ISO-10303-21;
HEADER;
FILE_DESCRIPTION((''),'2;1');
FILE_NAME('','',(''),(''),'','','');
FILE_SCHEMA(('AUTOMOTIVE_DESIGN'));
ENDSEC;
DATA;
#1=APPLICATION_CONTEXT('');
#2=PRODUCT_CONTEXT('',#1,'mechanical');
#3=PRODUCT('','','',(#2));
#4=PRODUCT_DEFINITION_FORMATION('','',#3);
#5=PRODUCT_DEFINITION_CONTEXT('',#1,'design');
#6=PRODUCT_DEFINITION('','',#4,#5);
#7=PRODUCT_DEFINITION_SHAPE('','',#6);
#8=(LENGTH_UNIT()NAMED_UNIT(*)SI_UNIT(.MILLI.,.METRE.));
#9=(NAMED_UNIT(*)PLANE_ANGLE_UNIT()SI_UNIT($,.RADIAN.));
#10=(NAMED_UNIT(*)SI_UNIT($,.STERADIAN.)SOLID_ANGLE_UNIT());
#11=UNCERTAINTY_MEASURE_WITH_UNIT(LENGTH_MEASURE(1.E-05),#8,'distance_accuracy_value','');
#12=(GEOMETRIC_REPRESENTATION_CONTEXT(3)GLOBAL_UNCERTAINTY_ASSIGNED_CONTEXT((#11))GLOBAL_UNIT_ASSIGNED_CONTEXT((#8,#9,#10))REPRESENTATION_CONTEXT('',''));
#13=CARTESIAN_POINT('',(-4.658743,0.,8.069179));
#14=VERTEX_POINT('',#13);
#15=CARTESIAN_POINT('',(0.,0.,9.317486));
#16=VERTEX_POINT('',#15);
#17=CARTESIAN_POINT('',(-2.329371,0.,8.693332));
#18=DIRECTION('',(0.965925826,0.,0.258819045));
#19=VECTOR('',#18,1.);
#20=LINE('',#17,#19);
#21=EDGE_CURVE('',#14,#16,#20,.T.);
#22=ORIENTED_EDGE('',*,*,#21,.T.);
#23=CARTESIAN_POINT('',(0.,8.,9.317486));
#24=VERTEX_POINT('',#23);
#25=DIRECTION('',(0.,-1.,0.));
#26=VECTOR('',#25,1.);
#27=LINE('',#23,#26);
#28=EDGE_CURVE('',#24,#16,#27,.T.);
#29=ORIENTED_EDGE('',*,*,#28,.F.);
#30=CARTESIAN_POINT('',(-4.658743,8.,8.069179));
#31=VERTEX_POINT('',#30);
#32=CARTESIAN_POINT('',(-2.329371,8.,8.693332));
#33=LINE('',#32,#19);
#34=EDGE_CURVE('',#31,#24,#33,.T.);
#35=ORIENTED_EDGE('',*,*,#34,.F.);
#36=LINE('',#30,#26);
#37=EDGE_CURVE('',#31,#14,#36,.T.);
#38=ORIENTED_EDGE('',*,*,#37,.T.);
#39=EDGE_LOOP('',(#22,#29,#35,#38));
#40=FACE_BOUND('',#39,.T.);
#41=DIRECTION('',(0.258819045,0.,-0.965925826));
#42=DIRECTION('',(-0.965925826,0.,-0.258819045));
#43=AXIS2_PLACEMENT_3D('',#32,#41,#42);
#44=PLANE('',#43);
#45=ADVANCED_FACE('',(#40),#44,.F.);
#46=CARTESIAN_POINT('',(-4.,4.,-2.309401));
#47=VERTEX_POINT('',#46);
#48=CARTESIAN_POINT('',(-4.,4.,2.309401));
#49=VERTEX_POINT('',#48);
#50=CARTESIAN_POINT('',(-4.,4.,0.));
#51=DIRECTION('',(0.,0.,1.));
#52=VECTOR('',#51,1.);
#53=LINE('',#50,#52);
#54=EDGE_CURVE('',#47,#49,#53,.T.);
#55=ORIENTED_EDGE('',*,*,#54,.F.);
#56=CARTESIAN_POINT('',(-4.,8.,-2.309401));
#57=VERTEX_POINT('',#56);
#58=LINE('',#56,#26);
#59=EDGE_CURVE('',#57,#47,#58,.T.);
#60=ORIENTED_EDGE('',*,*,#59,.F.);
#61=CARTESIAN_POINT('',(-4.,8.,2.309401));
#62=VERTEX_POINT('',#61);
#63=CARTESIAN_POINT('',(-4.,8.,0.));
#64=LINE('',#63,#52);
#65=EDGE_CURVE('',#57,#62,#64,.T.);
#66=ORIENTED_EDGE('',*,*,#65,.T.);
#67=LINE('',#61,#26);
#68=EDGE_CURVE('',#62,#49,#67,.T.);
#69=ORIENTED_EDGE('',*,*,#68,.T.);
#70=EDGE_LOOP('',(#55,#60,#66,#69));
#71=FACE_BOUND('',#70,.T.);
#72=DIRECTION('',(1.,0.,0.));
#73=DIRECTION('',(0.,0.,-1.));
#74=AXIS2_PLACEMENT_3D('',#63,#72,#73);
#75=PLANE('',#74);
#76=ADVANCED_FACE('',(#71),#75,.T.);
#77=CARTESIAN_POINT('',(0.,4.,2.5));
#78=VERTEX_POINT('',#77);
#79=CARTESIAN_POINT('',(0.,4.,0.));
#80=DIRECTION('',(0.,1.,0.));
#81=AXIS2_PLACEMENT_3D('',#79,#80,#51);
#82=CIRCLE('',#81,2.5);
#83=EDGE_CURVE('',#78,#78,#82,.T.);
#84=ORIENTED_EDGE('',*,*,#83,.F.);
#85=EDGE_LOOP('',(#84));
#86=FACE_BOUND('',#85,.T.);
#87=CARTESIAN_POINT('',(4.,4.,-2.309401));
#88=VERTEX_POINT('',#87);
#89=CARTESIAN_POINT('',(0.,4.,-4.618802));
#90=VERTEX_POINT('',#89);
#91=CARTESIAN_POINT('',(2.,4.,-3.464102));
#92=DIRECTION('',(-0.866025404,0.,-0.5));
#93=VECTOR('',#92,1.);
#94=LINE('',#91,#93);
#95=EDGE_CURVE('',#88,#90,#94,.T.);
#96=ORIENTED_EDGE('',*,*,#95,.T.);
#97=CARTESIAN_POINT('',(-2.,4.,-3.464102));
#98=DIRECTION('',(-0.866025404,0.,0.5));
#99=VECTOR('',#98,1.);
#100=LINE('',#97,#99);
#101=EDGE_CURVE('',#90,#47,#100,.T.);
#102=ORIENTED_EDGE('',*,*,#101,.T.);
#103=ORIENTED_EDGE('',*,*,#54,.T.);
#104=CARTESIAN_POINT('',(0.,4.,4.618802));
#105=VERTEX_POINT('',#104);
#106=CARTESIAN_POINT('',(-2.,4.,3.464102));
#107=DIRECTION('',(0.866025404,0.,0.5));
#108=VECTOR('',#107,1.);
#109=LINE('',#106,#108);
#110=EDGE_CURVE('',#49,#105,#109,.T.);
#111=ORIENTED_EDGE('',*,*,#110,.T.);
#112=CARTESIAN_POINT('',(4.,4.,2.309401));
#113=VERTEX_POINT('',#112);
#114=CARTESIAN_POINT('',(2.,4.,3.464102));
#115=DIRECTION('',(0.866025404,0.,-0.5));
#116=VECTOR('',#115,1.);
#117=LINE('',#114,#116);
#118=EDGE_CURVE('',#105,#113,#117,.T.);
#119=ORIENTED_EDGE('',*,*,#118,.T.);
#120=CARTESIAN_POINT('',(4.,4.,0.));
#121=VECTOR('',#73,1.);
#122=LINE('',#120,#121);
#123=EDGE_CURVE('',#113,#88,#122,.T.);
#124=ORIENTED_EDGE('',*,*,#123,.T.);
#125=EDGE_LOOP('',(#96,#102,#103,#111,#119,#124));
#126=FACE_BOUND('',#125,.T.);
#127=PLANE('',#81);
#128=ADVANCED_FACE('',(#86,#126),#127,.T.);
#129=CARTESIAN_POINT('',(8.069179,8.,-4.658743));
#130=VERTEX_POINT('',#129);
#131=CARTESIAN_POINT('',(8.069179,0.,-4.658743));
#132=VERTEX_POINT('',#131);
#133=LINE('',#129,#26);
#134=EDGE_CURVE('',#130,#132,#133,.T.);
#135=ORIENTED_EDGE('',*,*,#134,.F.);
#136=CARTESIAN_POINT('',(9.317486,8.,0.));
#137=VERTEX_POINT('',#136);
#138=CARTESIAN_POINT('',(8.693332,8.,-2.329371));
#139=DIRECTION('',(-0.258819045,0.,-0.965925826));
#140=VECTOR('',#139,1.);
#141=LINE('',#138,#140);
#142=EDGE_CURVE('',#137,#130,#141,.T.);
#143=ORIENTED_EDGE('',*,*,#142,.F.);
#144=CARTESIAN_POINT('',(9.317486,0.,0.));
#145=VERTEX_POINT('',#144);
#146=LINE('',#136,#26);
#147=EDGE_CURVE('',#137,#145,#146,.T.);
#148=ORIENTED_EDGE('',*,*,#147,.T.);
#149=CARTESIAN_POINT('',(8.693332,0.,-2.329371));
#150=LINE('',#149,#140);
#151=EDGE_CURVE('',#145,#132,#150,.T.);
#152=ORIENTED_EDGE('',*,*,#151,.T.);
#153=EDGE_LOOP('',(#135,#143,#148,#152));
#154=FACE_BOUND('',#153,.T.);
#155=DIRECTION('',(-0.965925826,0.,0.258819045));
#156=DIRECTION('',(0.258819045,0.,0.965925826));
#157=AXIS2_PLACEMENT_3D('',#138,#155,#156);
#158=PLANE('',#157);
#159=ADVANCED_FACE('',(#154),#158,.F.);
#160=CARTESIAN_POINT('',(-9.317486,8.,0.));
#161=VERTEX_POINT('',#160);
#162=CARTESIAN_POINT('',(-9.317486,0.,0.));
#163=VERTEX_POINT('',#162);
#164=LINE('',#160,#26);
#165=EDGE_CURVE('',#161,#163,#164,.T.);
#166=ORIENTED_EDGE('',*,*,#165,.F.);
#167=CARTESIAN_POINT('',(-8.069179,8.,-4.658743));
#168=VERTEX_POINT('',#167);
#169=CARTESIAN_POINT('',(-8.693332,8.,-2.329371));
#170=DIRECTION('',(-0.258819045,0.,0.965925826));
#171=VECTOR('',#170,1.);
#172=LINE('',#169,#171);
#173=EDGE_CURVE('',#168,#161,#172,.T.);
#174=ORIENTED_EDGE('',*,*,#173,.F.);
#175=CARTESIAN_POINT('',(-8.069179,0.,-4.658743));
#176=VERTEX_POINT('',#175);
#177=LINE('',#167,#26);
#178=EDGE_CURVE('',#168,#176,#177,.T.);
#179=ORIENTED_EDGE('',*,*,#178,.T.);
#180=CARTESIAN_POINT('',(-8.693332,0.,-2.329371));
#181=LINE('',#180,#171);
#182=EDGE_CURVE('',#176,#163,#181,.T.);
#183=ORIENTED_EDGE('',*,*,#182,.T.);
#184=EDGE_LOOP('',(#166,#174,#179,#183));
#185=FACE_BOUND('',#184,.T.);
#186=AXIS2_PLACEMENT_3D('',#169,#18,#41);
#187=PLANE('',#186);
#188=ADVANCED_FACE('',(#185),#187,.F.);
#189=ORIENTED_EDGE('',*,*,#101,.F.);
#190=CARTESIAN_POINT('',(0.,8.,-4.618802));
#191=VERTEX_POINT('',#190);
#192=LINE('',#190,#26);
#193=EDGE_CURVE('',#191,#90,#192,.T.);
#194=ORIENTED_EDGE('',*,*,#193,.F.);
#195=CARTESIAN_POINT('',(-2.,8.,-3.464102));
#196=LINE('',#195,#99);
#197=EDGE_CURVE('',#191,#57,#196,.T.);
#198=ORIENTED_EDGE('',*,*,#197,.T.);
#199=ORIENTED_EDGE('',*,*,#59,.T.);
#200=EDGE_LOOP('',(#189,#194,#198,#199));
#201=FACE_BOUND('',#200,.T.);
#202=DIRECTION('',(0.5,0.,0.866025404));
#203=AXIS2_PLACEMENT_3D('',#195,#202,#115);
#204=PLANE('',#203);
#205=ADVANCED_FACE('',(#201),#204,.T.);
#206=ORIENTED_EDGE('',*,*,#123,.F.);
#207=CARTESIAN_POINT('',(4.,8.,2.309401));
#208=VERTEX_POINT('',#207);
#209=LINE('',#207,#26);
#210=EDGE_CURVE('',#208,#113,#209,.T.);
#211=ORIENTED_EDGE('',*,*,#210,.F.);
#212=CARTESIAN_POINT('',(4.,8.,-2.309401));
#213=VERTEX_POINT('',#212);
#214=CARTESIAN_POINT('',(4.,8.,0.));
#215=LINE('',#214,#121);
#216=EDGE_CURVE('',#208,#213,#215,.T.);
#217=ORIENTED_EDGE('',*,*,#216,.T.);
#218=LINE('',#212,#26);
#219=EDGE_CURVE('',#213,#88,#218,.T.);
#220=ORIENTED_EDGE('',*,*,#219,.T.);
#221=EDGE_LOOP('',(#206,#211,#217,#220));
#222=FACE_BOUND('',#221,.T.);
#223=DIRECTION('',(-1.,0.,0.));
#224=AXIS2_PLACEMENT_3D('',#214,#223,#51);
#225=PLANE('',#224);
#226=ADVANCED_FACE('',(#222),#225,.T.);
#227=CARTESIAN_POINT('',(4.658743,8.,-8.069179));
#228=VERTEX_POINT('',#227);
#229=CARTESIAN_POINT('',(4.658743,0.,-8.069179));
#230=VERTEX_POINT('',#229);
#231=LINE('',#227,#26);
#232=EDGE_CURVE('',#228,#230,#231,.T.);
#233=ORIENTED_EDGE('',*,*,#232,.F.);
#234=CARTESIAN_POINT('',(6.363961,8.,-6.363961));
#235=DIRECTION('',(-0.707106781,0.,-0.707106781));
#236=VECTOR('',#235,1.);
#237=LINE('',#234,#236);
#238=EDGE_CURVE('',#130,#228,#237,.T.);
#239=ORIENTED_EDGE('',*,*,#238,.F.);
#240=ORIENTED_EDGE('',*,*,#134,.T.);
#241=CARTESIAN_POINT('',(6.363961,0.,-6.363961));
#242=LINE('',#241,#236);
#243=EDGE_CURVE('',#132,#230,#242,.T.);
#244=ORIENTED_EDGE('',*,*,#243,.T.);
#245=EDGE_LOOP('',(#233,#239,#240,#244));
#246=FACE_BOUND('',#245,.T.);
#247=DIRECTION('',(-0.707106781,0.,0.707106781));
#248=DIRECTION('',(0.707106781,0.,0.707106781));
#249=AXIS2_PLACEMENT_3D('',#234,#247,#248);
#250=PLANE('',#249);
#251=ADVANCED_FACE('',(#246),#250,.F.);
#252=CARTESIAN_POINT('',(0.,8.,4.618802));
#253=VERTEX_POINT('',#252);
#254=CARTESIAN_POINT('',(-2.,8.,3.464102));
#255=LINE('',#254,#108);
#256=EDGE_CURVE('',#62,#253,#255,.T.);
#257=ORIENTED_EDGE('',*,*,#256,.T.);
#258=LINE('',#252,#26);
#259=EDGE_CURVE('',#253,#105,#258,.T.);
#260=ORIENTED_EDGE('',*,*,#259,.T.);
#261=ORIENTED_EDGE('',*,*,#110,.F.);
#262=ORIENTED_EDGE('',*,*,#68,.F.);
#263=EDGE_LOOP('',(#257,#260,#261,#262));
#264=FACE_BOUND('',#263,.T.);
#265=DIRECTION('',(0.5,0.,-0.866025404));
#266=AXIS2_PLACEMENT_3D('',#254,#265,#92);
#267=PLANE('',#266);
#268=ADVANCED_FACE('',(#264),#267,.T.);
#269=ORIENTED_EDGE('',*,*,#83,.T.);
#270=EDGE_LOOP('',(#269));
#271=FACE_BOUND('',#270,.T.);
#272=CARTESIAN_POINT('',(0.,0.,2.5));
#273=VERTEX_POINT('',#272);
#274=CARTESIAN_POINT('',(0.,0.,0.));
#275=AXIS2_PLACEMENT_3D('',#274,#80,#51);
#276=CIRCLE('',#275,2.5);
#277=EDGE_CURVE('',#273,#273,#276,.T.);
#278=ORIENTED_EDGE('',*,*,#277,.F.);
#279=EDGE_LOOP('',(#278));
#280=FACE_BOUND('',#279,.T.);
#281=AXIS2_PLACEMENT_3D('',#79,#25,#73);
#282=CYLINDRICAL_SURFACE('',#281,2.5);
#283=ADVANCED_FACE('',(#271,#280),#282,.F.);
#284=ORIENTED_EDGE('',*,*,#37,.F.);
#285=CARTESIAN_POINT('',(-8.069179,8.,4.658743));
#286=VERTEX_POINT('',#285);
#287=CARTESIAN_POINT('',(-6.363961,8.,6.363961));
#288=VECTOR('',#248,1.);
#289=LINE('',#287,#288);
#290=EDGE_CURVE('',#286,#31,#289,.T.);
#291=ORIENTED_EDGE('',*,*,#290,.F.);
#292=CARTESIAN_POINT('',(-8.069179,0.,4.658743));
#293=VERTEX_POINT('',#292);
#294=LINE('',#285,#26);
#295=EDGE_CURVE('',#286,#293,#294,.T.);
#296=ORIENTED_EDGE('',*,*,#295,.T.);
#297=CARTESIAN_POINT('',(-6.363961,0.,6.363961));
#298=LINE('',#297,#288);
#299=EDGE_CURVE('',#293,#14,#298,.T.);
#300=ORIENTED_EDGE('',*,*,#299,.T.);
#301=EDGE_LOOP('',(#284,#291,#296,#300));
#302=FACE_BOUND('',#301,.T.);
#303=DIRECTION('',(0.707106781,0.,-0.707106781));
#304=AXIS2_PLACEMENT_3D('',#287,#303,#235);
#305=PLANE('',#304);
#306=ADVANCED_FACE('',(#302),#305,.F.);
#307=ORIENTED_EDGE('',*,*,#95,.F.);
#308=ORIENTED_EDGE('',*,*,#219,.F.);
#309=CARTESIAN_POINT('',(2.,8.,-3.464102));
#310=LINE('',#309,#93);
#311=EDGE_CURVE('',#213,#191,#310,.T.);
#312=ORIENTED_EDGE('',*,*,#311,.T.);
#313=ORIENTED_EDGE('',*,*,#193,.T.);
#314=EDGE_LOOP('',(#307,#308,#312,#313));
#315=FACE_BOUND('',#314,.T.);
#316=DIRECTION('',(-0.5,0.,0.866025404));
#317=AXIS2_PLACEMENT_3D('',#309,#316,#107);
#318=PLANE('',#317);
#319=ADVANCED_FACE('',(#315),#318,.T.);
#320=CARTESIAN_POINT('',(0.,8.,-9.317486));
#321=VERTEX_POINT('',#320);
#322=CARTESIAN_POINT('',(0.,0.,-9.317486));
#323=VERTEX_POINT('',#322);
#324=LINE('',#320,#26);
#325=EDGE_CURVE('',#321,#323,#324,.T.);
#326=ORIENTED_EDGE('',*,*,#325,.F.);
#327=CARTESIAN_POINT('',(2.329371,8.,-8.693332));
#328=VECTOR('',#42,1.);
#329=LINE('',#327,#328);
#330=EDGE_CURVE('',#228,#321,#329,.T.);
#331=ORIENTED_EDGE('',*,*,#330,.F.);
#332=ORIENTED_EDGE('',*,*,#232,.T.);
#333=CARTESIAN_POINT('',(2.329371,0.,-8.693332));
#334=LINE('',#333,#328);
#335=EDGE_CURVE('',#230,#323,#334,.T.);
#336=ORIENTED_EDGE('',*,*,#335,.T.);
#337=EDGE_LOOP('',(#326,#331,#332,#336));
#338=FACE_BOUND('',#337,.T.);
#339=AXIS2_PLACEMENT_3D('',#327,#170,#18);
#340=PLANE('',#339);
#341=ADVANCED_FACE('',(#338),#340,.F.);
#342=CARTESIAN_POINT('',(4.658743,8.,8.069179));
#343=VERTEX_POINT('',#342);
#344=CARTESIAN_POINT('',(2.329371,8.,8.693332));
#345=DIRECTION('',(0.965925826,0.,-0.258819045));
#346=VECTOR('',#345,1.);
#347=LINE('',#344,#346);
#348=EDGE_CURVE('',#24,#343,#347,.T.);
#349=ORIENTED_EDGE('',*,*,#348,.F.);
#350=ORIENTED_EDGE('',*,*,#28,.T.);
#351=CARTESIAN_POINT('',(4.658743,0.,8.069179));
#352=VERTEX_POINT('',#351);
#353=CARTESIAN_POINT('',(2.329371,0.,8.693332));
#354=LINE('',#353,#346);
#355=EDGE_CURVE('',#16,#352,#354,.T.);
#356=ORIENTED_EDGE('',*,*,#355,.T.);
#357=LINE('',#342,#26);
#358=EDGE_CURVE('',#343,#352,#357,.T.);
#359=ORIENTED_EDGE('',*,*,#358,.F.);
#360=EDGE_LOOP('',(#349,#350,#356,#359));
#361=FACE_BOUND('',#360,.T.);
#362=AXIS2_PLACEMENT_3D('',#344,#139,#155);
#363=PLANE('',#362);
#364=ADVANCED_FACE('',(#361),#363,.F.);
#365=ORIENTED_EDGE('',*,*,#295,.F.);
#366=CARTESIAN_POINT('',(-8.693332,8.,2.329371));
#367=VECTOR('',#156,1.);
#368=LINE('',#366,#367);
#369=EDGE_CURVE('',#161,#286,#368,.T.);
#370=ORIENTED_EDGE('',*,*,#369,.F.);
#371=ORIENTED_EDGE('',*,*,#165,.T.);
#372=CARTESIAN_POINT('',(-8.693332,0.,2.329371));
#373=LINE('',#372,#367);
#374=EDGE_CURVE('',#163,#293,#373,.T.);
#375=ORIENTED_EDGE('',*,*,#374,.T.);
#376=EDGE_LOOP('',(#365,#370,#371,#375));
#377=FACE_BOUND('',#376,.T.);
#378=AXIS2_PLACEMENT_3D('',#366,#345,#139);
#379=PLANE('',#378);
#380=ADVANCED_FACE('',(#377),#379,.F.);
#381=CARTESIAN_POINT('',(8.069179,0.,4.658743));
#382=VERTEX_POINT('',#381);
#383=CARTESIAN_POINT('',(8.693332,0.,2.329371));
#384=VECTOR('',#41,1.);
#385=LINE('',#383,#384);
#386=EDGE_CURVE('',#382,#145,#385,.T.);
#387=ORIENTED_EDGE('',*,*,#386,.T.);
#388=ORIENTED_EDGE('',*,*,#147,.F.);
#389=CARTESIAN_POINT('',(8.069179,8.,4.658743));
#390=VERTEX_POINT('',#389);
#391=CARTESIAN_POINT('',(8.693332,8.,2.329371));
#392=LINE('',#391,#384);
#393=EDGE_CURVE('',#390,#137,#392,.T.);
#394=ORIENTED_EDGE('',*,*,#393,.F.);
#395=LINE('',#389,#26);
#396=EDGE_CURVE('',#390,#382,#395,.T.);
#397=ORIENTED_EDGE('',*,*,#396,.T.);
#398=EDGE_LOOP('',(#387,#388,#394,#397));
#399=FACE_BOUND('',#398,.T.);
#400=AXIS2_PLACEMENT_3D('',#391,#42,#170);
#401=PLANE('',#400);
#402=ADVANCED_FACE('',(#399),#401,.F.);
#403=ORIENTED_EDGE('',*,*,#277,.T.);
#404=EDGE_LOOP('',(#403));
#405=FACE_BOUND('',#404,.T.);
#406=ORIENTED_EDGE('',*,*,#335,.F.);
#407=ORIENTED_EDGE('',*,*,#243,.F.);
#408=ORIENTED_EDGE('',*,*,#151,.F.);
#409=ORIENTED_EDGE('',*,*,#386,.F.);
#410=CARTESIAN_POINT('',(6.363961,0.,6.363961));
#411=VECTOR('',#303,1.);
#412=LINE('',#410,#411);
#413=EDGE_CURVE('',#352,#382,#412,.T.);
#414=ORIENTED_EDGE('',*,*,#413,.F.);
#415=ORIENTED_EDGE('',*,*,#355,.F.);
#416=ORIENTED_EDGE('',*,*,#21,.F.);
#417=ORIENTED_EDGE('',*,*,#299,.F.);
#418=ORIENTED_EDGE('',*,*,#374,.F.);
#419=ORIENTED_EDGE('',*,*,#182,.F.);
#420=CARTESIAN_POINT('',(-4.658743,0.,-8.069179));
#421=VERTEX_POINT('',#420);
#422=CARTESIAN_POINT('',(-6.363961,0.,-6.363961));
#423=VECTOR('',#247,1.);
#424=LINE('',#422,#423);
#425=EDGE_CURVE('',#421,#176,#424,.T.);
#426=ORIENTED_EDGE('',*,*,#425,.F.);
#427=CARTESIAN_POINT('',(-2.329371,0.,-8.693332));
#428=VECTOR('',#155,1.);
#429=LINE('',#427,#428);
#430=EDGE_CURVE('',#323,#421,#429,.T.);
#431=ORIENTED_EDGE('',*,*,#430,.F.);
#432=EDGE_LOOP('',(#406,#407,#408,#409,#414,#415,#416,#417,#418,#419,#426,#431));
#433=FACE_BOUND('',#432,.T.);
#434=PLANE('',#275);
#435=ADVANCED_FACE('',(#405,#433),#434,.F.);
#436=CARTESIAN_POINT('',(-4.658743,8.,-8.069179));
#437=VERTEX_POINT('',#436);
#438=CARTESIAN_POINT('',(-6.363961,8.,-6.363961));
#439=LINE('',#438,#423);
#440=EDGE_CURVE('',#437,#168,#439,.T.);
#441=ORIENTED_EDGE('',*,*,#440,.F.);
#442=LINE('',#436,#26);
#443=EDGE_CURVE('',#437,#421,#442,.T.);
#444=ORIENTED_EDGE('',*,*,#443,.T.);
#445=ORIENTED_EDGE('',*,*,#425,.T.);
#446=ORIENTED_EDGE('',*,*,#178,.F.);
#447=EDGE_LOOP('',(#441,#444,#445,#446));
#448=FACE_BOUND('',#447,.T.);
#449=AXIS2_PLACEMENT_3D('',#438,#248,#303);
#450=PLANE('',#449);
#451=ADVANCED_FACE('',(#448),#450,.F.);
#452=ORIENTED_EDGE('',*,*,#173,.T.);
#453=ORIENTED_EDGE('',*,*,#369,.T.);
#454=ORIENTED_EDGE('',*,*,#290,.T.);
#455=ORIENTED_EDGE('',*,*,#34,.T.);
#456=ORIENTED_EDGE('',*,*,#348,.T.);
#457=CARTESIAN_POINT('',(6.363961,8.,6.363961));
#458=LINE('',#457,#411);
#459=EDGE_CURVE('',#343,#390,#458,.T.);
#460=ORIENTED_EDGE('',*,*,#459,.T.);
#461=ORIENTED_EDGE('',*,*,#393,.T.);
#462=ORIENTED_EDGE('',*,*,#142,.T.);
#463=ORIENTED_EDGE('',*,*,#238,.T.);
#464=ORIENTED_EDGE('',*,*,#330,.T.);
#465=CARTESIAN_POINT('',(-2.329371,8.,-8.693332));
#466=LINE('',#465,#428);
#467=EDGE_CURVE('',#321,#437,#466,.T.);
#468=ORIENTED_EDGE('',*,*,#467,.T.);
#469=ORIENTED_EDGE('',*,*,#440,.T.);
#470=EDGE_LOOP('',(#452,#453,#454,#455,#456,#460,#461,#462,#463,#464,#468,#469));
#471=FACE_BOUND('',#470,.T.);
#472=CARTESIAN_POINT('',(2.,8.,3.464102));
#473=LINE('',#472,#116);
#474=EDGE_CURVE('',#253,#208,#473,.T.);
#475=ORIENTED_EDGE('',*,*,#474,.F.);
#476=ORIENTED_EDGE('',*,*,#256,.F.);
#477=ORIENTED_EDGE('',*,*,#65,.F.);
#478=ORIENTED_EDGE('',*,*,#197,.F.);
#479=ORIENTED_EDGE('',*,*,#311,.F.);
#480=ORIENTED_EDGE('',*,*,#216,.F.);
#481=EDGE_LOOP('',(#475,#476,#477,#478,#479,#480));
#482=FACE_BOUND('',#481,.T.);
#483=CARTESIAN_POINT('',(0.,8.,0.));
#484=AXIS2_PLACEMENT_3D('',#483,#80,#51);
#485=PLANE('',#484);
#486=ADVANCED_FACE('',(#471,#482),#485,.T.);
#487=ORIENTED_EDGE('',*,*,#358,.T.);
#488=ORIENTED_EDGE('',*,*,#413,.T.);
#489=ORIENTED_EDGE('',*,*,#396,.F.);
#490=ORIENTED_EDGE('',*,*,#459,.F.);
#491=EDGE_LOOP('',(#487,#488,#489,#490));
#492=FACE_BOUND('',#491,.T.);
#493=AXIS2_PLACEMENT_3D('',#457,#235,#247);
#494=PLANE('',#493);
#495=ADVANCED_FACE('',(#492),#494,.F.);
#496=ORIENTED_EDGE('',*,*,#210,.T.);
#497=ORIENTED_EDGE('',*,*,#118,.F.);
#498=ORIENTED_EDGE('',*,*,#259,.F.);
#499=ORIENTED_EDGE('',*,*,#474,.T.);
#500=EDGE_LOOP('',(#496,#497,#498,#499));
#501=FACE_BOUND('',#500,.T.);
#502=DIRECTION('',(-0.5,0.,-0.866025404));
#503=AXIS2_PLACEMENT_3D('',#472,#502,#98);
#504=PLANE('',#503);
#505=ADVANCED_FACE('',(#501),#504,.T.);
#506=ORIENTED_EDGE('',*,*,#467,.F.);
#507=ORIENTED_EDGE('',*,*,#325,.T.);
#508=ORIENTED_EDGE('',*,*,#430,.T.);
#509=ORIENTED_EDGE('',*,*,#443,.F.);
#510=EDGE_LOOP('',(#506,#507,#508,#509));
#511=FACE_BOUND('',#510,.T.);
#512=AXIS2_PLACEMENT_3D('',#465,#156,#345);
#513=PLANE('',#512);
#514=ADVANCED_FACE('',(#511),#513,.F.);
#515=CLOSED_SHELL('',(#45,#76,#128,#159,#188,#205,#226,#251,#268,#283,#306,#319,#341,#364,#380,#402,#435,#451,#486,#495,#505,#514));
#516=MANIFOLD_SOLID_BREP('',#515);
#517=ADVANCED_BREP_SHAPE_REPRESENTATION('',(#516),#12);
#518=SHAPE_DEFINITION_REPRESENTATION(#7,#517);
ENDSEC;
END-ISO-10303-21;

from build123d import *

# Parameters (mm, degrees)
RESSALTO_EXTRUS_O1_DEPTH = 8
ESBO_O1_3_R              = 2.5
RESSALTO_EXTRUS_O2_DEPTH = 4


with BuildPart() as part:
    # Esboço1 → Ressalto-extrusão1 (new body)
    with BuildSketch(Plane(origin=(0, 0, 0), x_dir=(1, 0, 0), z_dir=(0, 1, 0))):
        Polygon((4.658742812, 8.06917925), (0, 9.317485624), (-4.658742812, 8.06917925), (-8.06917925, 4.658742812), (-9.317485624, 0), (-8.06917925, -4.658742812), (-4.658742812, -8.06917925), (0, -9.317485624), (4.658742812, -8.06917925), (8.06917925, -4.658742812), (9.317485624, 0), (8.06917925, 4.658742812), align=None)
        Polygon((0, 4.618802154), (4, 2.309401077), (4, -2.309401077), (0, -4.618802154), (-4, -2.309401077), (-4, 2.309401077), align=None, mode=Mode.SUBTRACT)
    extrude(amount=RESSALTO_EXTRUS_O1_DEPTH)

    # Esboço1<3> → Ressalto-extrusão2 (add)
    with BuildSketch(Plane(origin=(0, 0, 0), x_dir=(1, 0, 0), z_dir=(0, 1, 0))):
        Polygon((4, 2.309401077), (0, 4.618802154), (-4, 2.309401077), (-4, -2.309401077), (0, -4.618802154), (4, -2.309401077), align=None)
        Circle(ESBO_O1_3_R, mode=Mode.SUBTRACT)
    extrude(amount=RESSALTO_EXTRUS_O2_DEPTH)


solid = part.part
